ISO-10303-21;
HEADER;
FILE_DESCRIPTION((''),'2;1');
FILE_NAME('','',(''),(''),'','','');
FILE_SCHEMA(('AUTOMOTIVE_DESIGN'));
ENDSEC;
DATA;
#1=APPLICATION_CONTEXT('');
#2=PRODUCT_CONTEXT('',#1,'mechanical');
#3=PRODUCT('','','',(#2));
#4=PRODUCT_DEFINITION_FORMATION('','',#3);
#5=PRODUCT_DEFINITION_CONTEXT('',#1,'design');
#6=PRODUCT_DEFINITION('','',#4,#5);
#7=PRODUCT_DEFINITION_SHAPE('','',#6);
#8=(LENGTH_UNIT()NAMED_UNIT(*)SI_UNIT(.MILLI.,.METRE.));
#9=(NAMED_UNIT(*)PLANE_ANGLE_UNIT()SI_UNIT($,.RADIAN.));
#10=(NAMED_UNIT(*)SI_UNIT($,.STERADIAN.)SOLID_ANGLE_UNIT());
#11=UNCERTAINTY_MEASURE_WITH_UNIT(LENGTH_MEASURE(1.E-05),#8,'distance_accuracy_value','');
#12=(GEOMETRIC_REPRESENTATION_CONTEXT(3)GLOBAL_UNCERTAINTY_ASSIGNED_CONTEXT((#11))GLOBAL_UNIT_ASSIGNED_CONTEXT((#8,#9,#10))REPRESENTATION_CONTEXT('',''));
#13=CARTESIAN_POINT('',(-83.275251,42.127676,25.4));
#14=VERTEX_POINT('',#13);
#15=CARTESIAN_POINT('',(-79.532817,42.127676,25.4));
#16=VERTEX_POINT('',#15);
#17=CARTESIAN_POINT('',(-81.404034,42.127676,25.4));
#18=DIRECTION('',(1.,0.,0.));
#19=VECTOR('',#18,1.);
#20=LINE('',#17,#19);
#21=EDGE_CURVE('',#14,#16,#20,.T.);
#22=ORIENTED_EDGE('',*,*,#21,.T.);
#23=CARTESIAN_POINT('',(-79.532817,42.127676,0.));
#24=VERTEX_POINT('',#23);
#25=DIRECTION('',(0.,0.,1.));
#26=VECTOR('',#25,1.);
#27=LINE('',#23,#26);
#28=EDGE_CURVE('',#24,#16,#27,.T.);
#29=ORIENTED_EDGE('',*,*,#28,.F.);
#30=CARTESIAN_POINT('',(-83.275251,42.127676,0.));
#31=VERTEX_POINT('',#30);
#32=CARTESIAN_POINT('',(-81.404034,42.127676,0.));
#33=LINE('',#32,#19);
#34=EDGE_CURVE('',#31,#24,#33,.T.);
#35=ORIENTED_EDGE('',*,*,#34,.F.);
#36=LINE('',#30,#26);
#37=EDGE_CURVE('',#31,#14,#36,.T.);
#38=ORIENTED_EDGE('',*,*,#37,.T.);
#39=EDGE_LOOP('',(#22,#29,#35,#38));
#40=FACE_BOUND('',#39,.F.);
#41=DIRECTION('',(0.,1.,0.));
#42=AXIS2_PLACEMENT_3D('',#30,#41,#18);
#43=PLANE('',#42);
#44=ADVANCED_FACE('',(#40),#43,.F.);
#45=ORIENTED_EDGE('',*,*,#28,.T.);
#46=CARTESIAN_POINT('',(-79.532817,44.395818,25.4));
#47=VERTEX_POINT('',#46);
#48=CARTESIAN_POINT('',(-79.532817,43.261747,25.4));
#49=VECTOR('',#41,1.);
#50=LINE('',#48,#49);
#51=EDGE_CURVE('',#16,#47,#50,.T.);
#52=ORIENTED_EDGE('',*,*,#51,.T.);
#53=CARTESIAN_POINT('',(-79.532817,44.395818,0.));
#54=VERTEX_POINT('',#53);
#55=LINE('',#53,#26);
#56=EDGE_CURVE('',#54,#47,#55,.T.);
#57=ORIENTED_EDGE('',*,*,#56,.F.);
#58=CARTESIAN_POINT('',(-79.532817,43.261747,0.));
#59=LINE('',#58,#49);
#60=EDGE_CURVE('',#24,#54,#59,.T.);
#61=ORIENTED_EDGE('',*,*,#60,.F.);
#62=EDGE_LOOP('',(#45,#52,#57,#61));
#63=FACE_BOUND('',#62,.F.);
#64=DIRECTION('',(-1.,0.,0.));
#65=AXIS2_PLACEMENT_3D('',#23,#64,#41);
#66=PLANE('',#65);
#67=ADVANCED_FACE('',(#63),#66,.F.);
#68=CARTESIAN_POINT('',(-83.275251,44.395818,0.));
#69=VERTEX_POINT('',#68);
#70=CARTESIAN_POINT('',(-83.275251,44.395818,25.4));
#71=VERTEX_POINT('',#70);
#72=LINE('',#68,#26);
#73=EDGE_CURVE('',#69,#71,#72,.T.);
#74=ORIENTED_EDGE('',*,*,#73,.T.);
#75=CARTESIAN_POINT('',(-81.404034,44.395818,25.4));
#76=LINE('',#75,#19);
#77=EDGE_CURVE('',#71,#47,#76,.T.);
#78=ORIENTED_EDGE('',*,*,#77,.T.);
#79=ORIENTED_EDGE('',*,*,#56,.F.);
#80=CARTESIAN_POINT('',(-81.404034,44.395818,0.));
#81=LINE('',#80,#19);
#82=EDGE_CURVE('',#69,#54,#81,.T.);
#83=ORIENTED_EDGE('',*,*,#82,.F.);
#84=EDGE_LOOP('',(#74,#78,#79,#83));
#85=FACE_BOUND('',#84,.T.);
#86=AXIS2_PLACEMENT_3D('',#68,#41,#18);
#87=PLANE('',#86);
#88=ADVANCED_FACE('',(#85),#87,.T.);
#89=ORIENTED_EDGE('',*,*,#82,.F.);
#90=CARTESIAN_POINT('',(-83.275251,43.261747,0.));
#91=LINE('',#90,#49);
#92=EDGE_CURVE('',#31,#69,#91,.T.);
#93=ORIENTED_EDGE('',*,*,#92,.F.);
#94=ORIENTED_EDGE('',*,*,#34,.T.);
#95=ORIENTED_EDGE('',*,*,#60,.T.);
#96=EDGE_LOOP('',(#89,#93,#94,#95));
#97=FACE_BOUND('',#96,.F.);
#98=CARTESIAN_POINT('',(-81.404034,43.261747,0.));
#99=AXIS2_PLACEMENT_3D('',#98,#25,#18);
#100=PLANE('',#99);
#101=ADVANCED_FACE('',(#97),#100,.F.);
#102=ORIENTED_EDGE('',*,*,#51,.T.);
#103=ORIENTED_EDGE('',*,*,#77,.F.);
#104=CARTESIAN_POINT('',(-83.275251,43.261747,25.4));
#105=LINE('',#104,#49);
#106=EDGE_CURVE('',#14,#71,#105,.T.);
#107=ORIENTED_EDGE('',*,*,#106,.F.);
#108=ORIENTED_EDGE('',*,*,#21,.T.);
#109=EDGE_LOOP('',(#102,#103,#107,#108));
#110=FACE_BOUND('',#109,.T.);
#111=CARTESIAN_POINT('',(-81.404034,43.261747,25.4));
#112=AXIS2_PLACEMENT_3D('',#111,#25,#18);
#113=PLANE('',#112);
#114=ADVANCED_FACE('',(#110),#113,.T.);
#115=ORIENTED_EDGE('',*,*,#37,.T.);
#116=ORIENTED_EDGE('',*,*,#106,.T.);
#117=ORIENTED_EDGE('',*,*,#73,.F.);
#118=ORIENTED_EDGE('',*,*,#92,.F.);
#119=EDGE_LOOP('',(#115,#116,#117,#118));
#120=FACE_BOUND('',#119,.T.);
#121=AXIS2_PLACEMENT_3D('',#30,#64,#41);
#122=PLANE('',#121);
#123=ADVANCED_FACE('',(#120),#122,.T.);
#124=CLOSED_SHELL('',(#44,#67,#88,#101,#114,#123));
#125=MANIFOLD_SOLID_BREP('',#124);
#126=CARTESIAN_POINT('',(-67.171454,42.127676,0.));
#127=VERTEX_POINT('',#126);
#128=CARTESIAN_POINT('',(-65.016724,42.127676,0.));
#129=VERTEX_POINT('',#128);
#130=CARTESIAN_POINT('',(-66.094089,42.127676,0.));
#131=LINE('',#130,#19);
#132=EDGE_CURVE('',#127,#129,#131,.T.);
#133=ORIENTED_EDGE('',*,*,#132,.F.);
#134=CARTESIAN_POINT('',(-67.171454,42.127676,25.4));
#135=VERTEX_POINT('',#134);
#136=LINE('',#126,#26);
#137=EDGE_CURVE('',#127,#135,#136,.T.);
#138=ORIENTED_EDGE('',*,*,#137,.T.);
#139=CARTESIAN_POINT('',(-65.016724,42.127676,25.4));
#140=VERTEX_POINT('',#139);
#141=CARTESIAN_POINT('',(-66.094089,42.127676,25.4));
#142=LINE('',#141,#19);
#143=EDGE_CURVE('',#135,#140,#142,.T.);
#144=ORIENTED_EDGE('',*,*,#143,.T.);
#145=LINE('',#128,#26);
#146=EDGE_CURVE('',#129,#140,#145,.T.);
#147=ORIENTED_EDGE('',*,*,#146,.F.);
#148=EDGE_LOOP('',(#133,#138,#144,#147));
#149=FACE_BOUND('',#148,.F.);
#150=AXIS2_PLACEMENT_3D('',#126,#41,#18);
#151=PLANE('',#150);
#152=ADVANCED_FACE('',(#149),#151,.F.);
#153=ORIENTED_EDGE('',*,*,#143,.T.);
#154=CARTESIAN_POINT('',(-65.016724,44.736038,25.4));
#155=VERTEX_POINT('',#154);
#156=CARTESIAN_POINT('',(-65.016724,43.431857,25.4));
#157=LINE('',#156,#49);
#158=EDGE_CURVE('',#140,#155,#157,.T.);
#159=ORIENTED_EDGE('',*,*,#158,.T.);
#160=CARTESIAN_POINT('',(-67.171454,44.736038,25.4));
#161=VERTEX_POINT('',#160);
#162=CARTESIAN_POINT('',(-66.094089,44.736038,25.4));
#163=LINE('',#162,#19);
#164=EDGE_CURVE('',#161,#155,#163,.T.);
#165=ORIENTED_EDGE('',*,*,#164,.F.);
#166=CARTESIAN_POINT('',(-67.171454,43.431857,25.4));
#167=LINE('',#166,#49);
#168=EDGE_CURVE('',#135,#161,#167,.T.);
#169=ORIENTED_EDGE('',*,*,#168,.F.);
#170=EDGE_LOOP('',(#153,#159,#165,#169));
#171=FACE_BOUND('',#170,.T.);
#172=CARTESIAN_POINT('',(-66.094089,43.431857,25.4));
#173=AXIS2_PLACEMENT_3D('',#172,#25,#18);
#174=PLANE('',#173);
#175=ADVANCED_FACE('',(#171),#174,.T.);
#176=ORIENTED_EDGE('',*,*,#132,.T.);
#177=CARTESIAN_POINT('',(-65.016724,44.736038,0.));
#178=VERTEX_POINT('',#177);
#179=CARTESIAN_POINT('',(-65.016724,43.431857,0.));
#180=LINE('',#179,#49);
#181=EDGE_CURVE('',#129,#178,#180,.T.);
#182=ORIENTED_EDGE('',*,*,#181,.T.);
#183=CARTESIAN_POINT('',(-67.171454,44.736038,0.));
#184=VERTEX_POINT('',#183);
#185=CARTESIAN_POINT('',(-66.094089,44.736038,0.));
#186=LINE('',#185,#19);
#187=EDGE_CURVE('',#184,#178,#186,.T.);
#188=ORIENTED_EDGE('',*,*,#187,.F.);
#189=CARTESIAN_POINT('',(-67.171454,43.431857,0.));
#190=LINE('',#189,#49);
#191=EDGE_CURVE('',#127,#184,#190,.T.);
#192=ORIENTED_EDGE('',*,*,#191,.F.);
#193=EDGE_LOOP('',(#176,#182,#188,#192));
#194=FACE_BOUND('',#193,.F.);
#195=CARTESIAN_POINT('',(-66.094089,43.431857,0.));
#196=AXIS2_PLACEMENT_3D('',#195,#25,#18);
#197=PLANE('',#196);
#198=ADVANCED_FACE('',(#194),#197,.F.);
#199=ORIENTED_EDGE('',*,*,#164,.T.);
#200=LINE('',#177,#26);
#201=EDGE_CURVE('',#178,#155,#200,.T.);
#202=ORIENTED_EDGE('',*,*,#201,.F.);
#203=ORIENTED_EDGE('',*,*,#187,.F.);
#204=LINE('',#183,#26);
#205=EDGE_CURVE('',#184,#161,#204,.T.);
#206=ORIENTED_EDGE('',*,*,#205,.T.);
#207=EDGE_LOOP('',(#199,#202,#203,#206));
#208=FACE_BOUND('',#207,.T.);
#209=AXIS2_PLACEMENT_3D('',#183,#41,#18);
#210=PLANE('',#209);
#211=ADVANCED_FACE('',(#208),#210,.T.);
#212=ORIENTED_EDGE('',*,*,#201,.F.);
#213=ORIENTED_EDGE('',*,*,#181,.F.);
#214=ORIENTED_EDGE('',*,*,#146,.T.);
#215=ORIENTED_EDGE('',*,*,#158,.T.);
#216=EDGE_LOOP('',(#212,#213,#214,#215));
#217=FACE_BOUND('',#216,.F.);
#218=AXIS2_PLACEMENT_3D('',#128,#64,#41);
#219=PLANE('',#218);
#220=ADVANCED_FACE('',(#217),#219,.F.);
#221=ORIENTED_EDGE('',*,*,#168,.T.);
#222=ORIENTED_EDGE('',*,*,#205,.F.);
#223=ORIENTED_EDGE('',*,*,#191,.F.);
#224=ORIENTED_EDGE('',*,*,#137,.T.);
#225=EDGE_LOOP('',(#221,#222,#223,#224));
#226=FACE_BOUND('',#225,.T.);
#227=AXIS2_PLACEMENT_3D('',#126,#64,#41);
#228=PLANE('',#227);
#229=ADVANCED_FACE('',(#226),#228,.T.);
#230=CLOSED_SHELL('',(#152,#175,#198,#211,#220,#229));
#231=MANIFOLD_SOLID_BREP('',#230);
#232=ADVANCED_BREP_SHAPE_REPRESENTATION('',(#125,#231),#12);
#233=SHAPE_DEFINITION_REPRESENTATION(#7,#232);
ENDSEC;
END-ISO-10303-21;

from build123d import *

# Parameters (mm, degrees)
F0_W     = 3.742434
F0_H     = 2.268143
F0_W_2   = 2.15473
F0_H_2   = 2.608363
F1_DEPTH = 25.4


with BuildPart() as f1:
    # F0 (on Top) → F1 (new body)
    with BuildSketch(Plane.XY):
        with Locations((-81.404034, 43.261747)):
            Rectangle(F0_W, F0_H)
        with Locations((-66.094089, 43.431857)):
            Rectangle(F0_W_2, F0_H_2)
    extrude(amount=F1_DEPTH)


solid = f1.part
